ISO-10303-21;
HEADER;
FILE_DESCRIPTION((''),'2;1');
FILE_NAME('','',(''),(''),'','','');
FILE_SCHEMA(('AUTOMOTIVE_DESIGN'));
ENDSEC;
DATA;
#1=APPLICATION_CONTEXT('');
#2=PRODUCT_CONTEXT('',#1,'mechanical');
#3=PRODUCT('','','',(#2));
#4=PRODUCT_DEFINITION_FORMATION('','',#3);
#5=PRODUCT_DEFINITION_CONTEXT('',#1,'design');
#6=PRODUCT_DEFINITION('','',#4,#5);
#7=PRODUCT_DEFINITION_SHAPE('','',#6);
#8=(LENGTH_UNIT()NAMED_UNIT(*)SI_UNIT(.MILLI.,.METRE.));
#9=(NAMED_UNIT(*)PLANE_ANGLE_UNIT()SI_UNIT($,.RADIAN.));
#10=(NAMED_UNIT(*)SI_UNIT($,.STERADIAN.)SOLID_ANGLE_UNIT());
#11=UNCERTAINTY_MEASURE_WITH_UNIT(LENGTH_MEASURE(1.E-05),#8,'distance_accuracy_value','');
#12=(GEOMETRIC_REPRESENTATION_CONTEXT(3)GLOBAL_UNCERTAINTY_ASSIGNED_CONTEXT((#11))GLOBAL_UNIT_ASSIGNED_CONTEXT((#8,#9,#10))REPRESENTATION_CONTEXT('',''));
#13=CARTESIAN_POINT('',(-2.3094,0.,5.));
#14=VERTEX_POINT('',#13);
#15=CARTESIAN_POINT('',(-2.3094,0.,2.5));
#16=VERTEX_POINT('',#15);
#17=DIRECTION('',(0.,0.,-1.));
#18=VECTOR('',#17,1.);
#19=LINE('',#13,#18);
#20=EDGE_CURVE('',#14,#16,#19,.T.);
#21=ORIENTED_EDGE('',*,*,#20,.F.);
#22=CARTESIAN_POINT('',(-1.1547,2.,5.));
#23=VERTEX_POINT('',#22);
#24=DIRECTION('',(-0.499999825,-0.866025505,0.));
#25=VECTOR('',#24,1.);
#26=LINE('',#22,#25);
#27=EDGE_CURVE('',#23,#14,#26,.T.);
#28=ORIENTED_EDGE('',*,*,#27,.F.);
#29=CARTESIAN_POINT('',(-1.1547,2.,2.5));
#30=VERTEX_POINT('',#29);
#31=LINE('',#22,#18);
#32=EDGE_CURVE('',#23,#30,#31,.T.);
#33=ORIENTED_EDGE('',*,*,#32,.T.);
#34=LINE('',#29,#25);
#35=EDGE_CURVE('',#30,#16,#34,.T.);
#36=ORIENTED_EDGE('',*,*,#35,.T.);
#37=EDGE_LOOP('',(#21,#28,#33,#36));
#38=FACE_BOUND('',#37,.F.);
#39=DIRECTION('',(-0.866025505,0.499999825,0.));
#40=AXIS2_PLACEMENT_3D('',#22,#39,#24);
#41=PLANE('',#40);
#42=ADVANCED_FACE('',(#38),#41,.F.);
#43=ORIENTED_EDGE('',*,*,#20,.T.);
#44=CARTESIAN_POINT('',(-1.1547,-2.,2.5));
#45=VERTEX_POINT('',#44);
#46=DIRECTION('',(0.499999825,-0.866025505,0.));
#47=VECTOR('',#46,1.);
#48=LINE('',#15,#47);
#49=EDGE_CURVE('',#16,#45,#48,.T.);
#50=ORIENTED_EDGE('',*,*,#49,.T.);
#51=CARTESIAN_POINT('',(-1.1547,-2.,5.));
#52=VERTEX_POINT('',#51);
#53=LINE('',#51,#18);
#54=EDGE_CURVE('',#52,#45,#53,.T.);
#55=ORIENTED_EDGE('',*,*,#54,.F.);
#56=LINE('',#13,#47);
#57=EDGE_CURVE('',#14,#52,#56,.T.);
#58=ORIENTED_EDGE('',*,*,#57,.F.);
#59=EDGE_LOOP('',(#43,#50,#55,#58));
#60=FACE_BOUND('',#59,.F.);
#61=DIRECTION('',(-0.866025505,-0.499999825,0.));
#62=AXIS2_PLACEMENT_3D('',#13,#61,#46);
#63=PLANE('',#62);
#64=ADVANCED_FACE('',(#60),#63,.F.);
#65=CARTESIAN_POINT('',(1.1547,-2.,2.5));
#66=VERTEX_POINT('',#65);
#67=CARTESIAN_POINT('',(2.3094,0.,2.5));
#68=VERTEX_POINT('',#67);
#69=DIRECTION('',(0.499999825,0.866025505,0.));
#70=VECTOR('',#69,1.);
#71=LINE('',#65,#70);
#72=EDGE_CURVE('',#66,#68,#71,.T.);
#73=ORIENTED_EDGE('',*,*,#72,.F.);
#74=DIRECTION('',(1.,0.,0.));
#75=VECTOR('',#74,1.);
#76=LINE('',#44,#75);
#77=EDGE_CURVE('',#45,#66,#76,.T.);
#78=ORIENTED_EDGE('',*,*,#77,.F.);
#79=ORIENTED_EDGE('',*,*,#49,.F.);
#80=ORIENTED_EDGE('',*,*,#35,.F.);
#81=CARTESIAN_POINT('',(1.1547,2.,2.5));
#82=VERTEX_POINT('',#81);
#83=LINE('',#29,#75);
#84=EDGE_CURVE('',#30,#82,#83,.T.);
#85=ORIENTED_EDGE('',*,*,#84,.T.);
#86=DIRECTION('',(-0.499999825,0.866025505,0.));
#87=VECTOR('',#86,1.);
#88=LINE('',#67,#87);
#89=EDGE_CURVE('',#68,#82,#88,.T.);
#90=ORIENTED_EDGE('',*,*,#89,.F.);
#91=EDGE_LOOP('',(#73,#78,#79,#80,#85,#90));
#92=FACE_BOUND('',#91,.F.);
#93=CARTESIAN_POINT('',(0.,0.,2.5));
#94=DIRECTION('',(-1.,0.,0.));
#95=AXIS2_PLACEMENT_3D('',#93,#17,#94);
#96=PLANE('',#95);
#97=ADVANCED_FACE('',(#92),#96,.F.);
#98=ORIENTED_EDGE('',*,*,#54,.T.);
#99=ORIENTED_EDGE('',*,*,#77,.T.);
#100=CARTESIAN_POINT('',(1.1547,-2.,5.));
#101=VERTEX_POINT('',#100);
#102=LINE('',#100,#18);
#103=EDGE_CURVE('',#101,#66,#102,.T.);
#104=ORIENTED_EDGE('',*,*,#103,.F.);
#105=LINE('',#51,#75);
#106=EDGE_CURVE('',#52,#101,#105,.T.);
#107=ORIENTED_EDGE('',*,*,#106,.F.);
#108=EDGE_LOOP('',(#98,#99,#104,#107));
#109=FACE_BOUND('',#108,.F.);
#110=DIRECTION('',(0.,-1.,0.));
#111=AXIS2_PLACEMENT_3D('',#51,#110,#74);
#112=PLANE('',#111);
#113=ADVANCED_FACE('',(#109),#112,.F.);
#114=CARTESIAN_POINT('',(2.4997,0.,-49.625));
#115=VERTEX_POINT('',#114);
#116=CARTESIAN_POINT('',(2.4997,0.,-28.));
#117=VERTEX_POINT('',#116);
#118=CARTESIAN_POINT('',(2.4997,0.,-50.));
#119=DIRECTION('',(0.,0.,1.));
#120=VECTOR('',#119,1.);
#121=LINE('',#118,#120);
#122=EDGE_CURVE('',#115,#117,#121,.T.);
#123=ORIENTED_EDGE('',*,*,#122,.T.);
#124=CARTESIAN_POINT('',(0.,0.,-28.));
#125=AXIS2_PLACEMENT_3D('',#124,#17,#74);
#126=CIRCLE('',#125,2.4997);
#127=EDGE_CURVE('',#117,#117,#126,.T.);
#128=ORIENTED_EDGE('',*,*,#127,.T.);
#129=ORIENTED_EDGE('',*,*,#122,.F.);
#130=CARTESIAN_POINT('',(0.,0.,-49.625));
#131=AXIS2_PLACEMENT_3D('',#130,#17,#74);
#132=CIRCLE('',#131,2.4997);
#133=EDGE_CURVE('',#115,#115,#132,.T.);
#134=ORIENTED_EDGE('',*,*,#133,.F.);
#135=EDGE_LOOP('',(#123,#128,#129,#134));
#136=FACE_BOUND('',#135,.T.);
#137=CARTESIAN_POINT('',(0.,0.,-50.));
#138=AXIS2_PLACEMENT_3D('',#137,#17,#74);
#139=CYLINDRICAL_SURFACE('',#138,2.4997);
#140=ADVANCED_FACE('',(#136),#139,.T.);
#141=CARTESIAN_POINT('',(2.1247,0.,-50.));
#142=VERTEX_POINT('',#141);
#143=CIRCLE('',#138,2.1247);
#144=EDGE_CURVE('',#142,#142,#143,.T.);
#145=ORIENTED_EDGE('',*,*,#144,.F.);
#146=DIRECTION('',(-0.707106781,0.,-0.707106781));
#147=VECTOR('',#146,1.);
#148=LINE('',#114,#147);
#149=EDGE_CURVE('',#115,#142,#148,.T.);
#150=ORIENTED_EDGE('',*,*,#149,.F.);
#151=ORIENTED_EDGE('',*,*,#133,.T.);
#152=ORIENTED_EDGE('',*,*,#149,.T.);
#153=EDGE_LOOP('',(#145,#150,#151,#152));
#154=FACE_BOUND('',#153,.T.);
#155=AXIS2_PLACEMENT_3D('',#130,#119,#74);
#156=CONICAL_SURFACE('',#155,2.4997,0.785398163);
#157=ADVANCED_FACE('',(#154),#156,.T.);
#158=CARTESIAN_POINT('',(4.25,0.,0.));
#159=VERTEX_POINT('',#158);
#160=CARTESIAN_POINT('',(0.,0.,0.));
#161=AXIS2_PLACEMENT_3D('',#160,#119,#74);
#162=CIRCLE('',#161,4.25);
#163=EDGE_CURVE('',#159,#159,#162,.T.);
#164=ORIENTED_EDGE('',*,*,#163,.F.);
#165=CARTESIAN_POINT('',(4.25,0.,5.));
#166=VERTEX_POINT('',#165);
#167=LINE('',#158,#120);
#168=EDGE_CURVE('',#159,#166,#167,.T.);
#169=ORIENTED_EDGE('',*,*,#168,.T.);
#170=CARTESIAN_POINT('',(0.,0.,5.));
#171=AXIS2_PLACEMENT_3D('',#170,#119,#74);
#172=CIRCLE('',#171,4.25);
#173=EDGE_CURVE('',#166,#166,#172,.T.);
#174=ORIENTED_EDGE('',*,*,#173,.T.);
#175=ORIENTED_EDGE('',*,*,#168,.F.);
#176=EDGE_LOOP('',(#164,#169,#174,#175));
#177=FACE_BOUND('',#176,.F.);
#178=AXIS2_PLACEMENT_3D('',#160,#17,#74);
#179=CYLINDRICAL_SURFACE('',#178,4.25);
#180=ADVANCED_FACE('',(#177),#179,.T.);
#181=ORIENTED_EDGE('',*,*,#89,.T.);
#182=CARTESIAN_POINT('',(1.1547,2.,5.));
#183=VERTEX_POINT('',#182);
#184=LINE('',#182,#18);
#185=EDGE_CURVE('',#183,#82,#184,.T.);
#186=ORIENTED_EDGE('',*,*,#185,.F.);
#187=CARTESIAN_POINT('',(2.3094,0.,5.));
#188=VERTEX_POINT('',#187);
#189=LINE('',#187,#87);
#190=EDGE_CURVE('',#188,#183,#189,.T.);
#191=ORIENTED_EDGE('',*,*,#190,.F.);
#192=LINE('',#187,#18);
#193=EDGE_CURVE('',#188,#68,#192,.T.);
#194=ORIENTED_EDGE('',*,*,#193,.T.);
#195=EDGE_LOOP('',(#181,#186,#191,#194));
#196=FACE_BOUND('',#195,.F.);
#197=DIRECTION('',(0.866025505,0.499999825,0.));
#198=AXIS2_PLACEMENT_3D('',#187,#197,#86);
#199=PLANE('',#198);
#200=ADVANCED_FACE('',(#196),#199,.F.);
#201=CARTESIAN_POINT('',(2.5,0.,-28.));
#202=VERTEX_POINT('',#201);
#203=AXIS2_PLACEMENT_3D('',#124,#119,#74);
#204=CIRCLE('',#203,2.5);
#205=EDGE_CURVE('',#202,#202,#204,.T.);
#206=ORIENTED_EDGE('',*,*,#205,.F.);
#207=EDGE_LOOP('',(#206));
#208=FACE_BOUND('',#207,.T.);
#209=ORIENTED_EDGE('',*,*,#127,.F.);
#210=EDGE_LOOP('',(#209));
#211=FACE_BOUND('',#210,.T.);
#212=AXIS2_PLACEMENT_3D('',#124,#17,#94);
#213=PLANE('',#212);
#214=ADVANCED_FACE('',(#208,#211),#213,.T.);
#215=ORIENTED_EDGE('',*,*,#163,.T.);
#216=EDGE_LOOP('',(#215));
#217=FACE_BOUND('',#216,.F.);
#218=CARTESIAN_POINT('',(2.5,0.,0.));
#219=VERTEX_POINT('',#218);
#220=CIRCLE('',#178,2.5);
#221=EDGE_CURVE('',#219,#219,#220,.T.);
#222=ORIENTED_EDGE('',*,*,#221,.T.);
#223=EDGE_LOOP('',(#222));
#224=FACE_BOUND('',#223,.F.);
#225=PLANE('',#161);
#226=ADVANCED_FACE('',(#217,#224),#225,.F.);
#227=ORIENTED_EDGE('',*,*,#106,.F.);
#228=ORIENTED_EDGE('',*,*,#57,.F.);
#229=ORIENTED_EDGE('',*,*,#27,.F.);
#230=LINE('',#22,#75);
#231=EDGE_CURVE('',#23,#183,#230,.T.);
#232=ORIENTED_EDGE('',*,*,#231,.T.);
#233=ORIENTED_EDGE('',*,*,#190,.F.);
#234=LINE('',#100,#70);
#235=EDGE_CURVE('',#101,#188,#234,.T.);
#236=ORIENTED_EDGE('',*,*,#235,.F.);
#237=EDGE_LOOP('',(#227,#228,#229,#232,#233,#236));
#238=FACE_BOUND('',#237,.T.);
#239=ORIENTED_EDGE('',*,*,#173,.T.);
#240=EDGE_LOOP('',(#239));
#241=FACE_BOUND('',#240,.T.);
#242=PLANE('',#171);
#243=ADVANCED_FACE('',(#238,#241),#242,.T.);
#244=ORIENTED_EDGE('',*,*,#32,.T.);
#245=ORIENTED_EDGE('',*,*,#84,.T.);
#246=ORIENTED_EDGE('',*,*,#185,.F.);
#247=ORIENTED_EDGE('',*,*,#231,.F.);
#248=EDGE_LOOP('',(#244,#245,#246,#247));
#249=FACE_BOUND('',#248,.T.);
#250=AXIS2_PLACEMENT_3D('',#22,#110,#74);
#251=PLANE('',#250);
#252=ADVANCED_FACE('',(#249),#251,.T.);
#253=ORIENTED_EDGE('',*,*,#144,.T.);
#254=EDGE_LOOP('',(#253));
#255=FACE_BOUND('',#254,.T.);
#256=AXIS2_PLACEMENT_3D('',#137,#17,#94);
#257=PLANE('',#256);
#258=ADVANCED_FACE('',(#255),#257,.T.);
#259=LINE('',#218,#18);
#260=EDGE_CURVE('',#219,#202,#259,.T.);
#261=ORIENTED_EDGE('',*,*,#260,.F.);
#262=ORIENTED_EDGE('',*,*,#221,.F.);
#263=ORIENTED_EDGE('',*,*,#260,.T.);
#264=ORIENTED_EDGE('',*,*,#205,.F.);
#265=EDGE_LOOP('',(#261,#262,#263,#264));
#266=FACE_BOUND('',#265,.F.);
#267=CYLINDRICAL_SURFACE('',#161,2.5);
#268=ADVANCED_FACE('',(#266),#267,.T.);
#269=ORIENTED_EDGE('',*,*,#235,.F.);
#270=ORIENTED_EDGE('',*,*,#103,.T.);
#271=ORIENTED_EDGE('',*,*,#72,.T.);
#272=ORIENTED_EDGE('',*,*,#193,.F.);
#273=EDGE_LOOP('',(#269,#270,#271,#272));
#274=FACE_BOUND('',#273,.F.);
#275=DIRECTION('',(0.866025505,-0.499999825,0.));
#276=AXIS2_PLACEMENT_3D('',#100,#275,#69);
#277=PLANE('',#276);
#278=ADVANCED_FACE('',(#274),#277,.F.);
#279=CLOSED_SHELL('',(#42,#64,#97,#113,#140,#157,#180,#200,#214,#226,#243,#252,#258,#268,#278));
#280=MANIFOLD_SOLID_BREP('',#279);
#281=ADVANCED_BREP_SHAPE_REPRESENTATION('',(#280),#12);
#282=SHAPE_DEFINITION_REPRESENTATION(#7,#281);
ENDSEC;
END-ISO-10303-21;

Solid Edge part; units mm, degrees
sketch "Sketch1" plane through (0, 0, 0) normal (0, 0, 1) x (1, 0, 0)
  circle A0 centre (0, 0) radius 4.25
  dimension "D1" = 8.5
extrude "Protrusion1" add sketch "Sketch1" along normal blind 5
sketch "Sketch2" plane through (0, 0, 0) normal (0, 0, -1) x (1, 0, 0)
  circle A0 centre (0, 0) radius 2.5
extrude "Protrusion2" add sketch "Sketch2" along normal blind 50
sketch "Sketch3" plane through (0, 0, -50) normal (0, 0, -1) x (1, 0, 0)
  circle A0 centre (0, 0) radius 2.4997
extrude "Cutout1" cut sketch "Sketch3" against normal blind 22 flip side to cut
chamfer "Chamfer_1" distance 0.375 angle 45 1 edges at (-2.4997, 0, -50)
sketch "Sketch4" plane through (0, 0, 5) normal (0, 0, 1) x (1, 0, 0)
  line L0 (-1.1547, 2) -> (1.1547, 2)
  line L1 (2.3094, 0) -> (1.1547, 2)
  line L2 (1.1547, -2) -> (2.3094, 0)
  line L3 (-1.1547, -2) -> (1.1547, -2)
  line L4 (-2.3094, 0) -> (-1.1547, -2)
  line L5 (-1.1547, 2) -> (-2.3094, 0)
  dimension "D1" = 4
extrude "Cutout2" cut sketch "Sketch4" against normal blind 2.5
properties part number "24104340"
